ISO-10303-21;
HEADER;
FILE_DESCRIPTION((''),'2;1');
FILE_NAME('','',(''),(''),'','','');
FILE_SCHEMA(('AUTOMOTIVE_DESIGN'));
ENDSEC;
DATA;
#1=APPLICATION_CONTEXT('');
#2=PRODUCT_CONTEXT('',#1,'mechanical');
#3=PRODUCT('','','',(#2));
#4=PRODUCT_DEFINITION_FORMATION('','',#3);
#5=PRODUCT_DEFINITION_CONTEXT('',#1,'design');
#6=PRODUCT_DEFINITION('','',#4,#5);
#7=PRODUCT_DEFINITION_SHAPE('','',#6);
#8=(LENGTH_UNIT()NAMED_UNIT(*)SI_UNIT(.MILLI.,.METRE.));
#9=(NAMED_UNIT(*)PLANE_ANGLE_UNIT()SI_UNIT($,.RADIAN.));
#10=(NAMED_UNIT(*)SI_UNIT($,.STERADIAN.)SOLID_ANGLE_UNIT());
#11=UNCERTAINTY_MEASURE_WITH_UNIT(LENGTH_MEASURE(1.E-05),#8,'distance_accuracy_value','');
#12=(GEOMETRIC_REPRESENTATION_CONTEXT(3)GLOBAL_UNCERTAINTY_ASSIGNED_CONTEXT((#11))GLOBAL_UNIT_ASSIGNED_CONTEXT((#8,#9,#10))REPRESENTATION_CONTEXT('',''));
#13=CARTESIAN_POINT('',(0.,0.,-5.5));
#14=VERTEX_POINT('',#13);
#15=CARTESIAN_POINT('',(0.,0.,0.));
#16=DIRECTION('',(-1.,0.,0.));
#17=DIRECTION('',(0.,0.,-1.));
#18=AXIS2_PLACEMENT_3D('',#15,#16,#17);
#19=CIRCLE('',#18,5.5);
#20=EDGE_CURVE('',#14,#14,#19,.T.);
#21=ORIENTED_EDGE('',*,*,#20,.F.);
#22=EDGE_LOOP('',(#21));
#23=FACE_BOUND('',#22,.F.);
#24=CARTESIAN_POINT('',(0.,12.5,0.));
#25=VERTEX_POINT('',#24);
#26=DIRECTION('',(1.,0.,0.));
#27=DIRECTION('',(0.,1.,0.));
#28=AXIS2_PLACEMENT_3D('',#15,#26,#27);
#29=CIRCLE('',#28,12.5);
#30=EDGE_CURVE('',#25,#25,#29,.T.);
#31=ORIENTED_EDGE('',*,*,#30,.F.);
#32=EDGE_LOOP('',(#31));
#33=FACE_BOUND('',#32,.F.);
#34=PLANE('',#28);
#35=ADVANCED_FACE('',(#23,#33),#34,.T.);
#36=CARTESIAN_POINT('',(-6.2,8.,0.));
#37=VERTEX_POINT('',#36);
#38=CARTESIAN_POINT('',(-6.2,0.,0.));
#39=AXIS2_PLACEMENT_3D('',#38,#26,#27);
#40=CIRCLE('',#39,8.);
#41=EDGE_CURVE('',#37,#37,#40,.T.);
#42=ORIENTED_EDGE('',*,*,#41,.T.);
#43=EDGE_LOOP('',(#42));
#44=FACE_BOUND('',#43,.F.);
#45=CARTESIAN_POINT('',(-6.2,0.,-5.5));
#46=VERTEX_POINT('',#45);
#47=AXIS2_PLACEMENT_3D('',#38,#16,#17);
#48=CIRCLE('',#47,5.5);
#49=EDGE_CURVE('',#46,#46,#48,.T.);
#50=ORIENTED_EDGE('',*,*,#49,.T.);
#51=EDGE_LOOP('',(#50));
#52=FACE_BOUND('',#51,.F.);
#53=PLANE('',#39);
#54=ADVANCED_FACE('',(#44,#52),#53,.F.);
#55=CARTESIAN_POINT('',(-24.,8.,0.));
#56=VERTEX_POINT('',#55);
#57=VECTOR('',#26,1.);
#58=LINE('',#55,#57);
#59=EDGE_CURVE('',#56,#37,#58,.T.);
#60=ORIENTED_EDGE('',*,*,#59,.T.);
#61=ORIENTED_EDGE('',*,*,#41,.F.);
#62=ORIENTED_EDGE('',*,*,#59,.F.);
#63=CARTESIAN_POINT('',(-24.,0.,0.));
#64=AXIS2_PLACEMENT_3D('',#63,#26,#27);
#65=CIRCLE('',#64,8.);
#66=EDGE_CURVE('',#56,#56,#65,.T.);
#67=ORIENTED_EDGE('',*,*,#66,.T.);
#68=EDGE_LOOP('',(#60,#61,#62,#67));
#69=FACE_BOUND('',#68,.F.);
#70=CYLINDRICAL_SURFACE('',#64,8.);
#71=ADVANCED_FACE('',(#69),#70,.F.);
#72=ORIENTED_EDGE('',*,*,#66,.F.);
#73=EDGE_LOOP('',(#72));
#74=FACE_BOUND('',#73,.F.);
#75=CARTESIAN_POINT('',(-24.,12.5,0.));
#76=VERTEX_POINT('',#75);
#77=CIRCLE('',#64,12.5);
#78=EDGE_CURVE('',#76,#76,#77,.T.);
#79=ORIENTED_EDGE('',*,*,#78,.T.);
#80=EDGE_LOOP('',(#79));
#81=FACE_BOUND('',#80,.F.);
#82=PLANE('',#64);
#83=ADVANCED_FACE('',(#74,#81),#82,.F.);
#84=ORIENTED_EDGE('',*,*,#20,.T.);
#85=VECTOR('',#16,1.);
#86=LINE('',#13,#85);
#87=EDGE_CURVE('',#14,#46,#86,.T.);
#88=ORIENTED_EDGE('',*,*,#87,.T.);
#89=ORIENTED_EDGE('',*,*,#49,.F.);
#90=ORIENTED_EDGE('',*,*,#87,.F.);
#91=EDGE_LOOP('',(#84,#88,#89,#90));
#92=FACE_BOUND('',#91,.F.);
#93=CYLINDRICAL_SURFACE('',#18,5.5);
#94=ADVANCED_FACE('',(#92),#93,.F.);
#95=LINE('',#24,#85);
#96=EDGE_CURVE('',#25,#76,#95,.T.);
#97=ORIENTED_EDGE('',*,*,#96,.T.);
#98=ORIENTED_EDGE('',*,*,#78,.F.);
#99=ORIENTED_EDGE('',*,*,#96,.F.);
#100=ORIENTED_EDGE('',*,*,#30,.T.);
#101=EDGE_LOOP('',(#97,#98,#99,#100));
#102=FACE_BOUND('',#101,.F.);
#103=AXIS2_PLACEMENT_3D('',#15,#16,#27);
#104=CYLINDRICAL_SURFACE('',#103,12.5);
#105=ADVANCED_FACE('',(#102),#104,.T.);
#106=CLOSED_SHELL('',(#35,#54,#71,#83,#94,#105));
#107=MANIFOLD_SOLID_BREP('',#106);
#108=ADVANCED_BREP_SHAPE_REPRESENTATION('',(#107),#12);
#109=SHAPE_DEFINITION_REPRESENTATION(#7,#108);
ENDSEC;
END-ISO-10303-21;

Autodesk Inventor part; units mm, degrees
ref_plane "YZ Plane" through (0, 0, 0) normal (1, 0, 0) x (0, 1, 0)
ref_plane "XZ Plane" through (0, 0, 0) normal (0, 1, 0) x (-1, 0, 0)
ref_plane "XY Plane" through (0, 0, 0) normal (0, 0, 1) x (1, 0, 0)
sketch "Skizze1" plane through (0, 0, 0) normal (0, 0, 1) x (1, 0, 0)
  line L0 (0, 0) -> (0, 12.5)
  line L1 (0, 12.5) -> (-24, 12.5)
  line L2 (-24, 12.5) -> (-24, 8)
  line L3 (-24, 8) -> (-6.2, 8)
  line L4 (-6.2, 8) -> (-6.2, 0)
  line L5 (-6.2, 0) -> (0, 0)
  line L6 (-16, 8) -> (-16, 0) construction
  line L7 (-6.2, 8.05) -> (-24, 8.05) construction
  dimension "d0" = 24
  dimension "d1" = 16
  dimension "d2" = 25
  dimension "d5" = 16.1
  dimension "d6" = 9.8
  dimension "d7" = 8
revolve "Umdrehung1" add sketch "Skizze1" angle 360 about axis through (-6.2, 0, 0) along (1, 0, 0)
sketch "Skizze2" plane through (0, 0, 0) normal (1, 0, 0) x (0, 0, -1)
  point P0 (0, 0)
  point P1 (0, 0)
hole "Bohrung1" at (0, 0, 0) direction (-1, 0, 0) diameter 11 end through all clearance for "Inbusschraube DIN EN ISO 4762" size "M10" standard "DIN"
properties part number "SpringCompensation_Outside_SupportPart_Zwischenstueck"
